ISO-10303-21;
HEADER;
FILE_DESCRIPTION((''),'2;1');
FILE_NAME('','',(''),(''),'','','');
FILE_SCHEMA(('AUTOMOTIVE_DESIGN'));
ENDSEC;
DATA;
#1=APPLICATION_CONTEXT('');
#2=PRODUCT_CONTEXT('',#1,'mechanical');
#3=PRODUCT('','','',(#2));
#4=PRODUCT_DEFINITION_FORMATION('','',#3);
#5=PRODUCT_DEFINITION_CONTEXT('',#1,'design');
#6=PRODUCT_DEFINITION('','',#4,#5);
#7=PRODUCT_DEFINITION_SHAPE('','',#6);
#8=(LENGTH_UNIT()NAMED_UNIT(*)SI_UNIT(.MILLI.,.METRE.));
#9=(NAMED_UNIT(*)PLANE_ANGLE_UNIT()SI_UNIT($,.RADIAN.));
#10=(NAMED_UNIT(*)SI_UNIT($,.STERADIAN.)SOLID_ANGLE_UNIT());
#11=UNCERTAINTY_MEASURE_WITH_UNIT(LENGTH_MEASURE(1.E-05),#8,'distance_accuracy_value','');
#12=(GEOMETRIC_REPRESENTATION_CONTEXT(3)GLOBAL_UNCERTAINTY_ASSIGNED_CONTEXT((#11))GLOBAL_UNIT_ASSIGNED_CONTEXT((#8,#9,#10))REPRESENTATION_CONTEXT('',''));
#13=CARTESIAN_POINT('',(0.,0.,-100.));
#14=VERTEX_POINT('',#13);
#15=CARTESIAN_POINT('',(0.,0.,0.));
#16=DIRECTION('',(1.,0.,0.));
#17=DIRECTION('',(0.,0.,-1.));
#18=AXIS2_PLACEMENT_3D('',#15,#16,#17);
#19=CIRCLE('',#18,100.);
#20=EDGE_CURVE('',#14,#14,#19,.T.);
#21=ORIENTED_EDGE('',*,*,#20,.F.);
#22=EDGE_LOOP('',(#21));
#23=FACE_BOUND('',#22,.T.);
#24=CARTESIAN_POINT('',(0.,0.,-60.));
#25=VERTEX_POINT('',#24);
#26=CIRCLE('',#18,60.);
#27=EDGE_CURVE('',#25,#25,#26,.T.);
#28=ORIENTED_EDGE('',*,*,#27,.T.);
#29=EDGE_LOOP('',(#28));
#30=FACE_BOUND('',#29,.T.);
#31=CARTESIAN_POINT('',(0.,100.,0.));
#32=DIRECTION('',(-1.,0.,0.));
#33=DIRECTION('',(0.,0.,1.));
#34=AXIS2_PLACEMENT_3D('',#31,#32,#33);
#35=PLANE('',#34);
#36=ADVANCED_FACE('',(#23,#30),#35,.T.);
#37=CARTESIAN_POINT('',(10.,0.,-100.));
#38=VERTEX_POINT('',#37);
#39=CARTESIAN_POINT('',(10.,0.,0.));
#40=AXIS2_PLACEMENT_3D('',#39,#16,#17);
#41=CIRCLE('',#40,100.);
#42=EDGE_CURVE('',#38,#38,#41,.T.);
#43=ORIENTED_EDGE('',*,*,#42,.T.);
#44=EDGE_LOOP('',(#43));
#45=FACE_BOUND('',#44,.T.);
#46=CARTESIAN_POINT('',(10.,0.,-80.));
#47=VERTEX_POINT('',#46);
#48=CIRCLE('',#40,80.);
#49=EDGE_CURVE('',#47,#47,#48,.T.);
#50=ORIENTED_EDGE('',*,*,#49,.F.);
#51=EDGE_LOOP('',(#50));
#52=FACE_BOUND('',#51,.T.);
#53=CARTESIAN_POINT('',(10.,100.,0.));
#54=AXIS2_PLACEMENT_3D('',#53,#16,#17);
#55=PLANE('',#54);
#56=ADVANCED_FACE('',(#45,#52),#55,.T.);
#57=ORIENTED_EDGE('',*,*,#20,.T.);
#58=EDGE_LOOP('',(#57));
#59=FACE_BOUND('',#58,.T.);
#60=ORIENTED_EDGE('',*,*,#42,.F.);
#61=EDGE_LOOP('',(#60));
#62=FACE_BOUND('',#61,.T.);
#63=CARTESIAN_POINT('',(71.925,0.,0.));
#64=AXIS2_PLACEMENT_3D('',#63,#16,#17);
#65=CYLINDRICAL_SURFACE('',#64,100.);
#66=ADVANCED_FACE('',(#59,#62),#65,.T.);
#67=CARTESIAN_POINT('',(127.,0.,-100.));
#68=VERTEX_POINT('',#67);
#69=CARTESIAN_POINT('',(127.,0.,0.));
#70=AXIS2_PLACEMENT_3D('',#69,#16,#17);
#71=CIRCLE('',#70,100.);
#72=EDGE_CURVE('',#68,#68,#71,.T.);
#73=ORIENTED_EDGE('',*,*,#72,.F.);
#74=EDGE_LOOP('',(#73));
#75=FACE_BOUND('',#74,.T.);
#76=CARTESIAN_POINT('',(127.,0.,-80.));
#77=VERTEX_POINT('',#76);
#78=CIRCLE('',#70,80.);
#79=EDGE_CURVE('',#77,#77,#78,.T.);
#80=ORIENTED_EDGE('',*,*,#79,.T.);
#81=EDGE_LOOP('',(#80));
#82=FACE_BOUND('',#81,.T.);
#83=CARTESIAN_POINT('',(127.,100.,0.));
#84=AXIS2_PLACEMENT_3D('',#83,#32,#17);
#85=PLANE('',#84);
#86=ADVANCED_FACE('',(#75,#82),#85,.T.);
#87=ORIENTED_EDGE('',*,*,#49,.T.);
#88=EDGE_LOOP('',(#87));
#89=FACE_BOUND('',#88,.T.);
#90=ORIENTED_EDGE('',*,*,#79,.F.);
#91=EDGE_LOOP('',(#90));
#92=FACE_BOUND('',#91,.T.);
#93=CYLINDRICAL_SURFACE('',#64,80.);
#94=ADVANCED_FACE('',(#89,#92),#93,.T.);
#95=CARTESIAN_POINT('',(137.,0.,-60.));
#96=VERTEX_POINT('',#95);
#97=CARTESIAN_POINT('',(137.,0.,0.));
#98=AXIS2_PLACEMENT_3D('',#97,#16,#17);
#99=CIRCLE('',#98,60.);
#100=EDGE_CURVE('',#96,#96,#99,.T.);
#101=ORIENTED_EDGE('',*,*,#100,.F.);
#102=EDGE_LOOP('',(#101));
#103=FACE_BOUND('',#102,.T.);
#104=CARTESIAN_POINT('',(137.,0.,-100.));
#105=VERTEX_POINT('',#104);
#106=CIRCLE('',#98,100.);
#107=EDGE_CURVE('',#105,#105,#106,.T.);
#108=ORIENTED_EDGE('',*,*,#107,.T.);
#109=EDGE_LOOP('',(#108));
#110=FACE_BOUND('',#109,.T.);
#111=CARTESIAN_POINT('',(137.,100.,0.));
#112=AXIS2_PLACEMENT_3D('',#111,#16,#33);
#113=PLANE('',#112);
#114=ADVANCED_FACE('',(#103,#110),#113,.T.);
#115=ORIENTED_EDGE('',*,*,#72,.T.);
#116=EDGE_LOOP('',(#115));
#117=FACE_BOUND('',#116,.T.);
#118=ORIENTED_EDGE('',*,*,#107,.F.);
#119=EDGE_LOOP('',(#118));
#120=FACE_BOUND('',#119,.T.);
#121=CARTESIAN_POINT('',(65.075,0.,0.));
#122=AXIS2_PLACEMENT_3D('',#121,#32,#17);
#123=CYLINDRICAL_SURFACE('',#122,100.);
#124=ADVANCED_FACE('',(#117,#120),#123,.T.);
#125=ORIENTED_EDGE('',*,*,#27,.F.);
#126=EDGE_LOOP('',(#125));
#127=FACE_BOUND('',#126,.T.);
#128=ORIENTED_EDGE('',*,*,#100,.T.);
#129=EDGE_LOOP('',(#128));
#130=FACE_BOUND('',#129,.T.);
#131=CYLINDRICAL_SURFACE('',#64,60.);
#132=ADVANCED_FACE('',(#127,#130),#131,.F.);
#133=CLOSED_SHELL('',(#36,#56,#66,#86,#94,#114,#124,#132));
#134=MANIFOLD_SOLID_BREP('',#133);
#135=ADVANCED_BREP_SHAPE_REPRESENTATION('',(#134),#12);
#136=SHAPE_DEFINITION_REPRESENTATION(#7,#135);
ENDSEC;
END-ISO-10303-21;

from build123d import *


with BuildPart() as part:
    # Sketch1 → Revolve1 (revolve)
    with BuildSketch(Plane.XY):
        Polygon((0, 100), (0, 60), (68.5, 60), (68.5, 80), (10, 80), (10, 100), align=None)
    revolve1 = revolve(axis=Axis((71.925, 0, 0), (-1, 0, 0)))

    # Mirror1: Revolve1 across plane
    add(revolve1.mirror(Plane(origin=(68.5, 80, 0), x_dir=(0, 0, 1), z_dir=(1, 0, 0))))


solid = part.part
